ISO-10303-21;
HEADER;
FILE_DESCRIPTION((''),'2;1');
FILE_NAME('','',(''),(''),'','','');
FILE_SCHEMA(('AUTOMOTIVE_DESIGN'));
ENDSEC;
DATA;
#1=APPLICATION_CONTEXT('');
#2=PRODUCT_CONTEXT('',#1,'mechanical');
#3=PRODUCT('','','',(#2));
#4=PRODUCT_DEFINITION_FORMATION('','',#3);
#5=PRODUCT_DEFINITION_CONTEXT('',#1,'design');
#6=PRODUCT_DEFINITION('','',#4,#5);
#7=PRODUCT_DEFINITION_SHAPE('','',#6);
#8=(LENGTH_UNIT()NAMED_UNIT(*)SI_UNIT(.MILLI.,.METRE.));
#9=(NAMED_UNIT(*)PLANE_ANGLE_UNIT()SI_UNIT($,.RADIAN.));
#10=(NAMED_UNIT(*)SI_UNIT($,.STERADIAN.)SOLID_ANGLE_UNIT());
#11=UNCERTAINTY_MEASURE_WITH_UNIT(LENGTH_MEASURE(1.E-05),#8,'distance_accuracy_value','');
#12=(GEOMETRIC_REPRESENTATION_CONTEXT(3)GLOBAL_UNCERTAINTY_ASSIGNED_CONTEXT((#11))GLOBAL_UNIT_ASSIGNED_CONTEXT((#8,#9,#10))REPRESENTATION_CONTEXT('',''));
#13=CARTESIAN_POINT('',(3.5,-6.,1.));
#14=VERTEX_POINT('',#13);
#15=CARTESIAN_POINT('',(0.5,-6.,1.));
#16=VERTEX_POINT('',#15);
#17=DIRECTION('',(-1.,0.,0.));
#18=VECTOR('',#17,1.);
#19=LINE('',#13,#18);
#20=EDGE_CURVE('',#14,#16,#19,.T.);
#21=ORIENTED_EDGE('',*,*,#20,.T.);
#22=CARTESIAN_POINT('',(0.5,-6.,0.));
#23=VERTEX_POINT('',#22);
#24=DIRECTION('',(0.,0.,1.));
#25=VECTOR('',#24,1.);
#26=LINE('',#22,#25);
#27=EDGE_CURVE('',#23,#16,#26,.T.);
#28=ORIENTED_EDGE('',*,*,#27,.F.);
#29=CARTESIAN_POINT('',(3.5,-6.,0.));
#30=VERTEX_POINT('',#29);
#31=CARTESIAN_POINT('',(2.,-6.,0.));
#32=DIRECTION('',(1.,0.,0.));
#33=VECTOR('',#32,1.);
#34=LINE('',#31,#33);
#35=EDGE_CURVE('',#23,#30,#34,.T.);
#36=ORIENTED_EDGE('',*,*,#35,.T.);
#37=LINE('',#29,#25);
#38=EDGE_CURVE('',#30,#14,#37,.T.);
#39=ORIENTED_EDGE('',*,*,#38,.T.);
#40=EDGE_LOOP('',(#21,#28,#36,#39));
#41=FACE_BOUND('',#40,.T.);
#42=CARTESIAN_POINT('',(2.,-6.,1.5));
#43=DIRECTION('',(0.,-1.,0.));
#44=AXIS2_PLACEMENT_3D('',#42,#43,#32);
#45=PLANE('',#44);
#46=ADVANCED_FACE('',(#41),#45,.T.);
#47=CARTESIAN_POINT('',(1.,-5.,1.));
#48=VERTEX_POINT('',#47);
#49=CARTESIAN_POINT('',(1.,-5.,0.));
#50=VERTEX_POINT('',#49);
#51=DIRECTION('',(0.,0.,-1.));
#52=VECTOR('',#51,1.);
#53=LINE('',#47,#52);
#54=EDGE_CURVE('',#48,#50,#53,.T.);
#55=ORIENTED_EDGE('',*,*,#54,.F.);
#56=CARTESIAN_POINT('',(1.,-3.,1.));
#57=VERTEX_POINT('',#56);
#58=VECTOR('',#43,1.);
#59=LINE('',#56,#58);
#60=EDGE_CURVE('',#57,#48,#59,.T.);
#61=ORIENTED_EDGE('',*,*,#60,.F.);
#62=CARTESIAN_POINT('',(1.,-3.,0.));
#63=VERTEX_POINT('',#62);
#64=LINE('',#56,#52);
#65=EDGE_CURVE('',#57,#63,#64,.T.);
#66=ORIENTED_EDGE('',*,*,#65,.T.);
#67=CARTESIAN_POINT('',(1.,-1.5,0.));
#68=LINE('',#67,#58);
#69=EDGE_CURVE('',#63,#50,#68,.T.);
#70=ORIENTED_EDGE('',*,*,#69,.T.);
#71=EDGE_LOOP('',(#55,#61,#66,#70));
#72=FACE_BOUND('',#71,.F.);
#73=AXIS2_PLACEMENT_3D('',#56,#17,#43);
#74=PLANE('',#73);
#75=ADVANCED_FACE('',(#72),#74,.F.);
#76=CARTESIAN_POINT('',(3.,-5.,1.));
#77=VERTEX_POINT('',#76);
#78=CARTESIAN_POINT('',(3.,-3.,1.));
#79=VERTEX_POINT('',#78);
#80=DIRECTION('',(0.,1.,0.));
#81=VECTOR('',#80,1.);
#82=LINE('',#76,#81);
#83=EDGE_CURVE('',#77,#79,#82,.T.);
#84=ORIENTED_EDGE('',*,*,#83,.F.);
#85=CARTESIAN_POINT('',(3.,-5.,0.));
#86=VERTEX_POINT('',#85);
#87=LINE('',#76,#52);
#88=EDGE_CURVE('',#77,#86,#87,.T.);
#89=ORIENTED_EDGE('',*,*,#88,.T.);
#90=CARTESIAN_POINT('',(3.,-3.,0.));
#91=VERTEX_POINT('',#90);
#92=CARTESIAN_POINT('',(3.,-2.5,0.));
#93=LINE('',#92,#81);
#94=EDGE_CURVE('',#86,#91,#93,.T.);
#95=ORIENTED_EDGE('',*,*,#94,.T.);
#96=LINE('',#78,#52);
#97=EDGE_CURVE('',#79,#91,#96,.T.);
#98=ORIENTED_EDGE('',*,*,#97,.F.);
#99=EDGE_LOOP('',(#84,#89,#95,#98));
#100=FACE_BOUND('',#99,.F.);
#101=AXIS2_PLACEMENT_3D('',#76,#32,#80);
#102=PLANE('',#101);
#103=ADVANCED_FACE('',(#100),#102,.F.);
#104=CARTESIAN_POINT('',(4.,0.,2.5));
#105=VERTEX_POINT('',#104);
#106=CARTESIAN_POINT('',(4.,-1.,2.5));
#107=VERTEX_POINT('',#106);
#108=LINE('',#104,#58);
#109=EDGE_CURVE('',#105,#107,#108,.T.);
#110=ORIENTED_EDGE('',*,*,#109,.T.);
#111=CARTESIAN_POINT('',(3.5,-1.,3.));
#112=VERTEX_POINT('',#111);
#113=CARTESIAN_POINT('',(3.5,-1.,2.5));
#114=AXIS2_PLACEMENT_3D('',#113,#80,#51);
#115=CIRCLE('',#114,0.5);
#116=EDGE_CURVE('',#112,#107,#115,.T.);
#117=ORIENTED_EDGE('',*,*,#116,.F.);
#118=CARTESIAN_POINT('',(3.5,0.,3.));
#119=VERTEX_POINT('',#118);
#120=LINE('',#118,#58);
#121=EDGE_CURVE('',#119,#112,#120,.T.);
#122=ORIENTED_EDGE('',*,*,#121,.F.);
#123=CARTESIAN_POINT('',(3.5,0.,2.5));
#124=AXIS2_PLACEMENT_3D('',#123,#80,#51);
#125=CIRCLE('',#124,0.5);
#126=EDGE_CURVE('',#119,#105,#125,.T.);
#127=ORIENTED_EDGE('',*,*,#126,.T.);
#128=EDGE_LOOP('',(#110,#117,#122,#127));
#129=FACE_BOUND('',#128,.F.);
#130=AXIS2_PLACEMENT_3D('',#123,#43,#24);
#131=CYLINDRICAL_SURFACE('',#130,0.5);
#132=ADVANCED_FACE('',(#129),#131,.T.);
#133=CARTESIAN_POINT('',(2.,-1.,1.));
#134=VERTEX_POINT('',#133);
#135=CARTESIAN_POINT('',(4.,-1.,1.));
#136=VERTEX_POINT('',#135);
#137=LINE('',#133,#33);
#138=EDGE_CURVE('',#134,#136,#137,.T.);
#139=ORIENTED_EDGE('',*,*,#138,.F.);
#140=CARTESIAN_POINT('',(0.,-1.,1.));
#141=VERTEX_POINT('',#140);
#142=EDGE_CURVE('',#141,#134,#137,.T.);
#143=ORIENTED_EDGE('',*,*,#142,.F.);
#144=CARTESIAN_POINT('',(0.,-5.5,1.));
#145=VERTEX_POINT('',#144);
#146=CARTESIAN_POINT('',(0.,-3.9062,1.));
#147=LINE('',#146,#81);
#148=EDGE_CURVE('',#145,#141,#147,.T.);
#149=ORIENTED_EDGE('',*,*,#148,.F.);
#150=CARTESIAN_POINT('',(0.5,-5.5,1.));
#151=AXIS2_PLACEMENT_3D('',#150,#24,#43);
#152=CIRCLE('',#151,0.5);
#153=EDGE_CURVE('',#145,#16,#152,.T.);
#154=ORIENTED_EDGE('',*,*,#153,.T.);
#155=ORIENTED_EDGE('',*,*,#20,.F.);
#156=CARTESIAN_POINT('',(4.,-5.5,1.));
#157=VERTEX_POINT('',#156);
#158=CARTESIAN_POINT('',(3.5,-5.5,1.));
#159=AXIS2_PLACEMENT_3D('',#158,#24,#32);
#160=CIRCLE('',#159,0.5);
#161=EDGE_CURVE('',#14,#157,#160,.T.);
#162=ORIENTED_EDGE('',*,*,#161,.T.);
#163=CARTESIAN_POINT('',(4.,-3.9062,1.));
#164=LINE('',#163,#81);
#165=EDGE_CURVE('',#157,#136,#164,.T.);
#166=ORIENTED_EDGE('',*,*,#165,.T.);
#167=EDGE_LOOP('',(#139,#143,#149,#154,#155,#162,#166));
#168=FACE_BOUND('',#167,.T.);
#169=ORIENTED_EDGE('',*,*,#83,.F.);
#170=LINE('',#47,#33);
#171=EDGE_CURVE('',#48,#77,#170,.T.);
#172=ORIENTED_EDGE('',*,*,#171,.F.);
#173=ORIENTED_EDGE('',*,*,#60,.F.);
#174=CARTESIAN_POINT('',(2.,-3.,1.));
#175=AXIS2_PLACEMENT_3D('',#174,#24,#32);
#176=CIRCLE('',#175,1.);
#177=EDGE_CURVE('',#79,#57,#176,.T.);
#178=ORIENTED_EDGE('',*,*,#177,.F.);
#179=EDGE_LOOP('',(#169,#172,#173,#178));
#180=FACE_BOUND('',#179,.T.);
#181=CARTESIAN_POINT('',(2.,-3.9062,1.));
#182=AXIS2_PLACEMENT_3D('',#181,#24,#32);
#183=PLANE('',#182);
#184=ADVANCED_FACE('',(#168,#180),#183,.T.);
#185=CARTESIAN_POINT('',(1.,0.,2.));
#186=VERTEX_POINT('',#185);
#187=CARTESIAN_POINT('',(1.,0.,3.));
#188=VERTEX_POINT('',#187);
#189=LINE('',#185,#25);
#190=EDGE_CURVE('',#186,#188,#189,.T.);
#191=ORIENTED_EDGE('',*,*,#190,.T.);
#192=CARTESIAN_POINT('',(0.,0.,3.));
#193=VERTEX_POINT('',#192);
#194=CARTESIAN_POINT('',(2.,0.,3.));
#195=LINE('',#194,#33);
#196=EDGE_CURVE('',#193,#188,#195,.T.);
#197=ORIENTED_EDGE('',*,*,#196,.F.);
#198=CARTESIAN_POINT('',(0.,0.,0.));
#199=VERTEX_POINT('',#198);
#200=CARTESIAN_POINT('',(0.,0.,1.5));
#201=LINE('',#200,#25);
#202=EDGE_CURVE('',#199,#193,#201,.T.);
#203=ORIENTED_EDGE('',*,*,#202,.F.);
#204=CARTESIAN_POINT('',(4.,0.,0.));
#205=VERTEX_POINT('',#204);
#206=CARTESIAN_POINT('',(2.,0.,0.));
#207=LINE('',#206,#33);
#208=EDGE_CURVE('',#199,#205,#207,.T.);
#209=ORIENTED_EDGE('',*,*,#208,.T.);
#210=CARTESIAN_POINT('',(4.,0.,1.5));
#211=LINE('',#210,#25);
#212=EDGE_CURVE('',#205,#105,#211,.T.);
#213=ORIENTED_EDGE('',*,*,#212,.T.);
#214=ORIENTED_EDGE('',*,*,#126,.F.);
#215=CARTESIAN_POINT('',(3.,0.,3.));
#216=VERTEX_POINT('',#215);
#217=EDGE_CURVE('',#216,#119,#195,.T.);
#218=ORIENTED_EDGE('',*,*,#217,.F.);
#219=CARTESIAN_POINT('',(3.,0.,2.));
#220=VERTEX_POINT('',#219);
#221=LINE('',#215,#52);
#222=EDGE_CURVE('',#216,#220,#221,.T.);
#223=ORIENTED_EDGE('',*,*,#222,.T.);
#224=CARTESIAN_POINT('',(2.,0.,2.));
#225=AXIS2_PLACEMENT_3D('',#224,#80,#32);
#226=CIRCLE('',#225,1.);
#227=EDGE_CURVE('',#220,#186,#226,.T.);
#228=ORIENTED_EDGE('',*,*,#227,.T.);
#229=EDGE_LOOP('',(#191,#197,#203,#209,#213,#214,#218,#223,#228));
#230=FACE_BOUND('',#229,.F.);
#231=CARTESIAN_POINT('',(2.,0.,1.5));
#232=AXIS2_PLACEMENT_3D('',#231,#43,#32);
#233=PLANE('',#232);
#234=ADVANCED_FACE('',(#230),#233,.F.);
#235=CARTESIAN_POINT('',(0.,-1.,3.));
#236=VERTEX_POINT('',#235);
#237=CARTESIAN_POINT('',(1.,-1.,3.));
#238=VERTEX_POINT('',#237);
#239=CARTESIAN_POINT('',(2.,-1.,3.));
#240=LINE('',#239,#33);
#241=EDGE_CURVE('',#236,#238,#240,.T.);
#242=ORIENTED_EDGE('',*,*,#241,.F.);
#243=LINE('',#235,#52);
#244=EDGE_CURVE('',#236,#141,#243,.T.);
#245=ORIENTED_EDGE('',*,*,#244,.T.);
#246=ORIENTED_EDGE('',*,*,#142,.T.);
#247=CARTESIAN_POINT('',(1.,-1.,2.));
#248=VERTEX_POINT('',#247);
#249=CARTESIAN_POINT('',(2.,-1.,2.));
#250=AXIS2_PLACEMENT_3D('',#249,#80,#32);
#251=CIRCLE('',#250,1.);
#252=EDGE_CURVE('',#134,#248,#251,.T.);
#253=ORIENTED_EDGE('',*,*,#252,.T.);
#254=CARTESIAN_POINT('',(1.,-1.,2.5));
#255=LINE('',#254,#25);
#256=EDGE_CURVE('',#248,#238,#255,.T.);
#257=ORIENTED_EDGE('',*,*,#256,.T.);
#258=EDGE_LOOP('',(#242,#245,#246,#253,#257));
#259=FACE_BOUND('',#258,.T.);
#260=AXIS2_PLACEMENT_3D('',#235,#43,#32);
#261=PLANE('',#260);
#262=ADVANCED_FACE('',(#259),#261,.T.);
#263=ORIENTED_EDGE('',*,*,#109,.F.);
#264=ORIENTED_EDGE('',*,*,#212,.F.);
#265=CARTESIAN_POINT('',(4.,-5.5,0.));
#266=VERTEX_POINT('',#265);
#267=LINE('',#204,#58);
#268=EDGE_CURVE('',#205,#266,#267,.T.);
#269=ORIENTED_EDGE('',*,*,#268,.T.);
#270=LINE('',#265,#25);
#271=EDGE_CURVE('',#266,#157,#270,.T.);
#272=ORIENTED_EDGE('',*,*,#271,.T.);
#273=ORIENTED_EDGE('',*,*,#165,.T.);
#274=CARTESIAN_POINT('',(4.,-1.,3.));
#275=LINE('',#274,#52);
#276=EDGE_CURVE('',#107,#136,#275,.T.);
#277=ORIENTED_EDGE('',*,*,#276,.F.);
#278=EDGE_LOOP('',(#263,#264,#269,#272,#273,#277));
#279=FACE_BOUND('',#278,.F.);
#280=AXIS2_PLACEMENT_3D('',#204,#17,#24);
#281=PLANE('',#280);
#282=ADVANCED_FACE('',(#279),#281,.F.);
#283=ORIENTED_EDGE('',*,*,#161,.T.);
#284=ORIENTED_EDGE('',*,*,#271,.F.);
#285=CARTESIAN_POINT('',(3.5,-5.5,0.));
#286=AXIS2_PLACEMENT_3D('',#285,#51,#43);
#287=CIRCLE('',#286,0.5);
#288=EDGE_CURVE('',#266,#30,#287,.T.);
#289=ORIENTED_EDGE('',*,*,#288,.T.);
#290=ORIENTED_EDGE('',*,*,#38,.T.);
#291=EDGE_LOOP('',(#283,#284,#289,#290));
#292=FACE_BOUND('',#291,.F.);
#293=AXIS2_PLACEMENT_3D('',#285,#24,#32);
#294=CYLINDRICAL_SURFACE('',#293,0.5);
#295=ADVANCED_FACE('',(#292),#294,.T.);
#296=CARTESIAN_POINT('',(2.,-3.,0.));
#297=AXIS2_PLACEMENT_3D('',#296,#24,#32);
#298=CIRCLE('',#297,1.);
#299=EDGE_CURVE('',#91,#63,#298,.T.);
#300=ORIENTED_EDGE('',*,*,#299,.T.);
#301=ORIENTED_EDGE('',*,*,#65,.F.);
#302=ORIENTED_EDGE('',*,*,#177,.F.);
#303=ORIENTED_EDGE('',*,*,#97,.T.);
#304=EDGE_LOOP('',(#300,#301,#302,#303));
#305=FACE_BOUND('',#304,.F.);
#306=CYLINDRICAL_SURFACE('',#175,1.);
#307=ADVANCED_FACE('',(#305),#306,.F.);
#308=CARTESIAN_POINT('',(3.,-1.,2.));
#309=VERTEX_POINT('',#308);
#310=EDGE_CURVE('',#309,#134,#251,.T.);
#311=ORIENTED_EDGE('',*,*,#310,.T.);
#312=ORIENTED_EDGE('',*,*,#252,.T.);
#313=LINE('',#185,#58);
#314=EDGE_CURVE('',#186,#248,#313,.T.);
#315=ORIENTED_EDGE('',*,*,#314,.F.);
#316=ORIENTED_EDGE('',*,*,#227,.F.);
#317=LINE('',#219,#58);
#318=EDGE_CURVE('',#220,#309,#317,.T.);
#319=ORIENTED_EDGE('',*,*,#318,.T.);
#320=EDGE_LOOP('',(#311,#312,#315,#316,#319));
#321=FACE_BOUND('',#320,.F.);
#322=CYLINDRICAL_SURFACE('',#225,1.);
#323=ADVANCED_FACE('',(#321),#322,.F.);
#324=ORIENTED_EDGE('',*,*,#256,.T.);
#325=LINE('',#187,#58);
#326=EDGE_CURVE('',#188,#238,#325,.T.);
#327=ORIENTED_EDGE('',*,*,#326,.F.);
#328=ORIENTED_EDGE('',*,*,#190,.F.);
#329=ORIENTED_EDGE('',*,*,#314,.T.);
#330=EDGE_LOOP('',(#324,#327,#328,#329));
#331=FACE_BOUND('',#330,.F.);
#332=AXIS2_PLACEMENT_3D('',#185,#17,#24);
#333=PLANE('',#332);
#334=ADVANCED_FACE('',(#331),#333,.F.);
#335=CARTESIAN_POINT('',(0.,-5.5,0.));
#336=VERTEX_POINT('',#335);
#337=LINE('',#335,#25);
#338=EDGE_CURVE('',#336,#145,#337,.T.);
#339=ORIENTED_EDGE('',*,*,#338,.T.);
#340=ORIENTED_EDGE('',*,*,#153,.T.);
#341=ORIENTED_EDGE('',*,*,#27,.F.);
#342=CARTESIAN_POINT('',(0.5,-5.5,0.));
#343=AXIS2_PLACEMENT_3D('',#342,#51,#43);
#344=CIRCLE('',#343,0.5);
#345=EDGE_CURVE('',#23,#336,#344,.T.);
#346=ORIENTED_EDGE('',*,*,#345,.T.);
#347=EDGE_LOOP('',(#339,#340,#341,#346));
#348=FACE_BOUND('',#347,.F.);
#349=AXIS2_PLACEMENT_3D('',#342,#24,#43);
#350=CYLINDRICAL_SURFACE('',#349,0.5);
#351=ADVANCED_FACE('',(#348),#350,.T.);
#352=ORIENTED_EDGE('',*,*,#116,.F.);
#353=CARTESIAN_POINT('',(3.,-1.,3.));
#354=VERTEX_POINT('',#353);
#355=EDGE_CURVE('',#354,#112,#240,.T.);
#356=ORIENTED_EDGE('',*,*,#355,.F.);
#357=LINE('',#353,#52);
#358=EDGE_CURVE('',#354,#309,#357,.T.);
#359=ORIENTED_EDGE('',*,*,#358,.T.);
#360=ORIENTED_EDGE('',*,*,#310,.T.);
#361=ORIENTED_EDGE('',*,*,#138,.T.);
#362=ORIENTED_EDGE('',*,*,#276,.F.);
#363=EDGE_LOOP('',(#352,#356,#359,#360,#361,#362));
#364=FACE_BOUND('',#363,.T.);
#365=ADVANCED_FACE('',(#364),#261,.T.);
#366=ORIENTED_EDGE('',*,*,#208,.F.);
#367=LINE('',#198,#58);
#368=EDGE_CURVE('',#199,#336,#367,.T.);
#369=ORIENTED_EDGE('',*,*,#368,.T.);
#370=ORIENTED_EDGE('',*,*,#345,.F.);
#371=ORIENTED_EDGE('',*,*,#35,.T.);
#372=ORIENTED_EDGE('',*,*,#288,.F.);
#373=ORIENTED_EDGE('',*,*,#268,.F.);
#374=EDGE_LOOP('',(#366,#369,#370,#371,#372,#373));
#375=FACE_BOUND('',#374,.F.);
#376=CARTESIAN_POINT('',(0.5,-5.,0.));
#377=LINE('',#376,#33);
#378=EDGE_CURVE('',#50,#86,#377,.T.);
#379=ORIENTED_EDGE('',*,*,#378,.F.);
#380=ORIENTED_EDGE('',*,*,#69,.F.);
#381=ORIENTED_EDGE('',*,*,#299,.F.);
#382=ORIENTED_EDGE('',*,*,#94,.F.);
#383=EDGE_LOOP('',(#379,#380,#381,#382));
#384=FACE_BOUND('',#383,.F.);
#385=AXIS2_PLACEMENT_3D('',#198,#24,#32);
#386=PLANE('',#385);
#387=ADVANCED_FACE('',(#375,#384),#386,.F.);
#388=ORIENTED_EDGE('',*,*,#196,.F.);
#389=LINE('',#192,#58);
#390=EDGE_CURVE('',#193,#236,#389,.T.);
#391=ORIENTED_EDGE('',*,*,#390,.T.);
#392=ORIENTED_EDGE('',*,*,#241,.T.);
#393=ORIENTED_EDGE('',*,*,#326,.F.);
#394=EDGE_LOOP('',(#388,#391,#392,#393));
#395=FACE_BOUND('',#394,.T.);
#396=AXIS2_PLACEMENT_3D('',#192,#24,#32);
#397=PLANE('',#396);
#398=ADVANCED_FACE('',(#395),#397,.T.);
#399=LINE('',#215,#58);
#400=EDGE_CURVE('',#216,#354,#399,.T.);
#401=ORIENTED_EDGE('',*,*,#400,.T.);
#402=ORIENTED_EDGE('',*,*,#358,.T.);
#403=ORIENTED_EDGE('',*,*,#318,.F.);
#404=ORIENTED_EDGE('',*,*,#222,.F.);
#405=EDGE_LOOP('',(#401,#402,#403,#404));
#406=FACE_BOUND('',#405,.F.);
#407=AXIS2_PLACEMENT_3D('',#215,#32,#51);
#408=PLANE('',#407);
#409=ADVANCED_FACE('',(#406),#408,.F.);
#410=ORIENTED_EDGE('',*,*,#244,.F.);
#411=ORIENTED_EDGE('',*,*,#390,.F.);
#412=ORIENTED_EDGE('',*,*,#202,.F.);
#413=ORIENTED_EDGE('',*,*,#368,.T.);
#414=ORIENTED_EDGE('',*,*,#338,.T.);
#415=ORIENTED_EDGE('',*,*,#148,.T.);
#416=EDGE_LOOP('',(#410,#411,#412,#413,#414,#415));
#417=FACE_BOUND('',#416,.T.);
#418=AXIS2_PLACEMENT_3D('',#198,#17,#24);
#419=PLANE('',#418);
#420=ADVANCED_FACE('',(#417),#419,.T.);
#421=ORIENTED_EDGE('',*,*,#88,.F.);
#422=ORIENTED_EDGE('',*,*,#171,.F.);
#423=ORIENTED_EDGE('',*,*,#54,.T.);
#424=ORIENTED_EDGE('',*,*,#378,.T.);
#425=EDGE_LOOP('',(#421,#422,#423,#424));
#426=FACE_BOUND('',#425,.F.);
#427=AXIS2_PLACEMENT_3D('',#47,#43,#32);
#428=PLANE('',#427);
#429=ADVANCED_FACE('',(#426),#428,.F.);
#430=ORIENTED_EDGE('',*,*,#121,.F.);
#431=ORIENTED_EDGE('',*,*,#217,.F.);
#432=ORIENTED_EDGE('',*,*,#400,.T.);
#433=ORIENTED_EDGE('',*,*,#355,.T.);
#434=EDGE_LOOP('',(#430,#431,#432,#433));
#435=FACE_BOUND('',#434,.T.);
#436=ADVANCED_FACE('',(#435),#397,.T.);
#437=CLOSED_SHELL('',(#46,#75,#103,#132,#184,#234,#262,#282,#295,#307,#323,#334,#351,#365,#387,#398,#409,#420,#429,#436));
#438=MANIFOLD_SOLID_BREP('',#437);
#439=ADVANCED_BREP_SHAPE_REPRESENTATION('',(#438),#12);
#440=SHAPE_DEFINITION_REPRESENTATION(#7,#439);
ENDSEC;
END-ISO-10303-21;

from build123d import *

# Parameters (mm, degrees)
F0_W      = 4
F0_H      = 3
F1_DEPTH  = 6
F2_R      = 0.5
F3_R      = 0.5
F5_DEPTH  = 25
F6_W      = 4
F6_H      = 5.8124
F7_DEPTH  = 2
F8_R      = 0.5
F10_DEPTH = 25


with BuildPart() as f1:
    # F0 (on Front) → F1 (new body)
    with BuildSketch(Plane.XZ):
        with Locations((2, 1.5)):
            Rectangle(F0_W, F0_H)
    extrude(amount=F1_DEPTH)

    # F2
    f2_edges = [f1.edges().sort_by_distance(p)[0] for p in [
        (4, -6, 1.5),
    ]]
    fillet(f2_edges, radius=F2_R)

    # F3
    f3_edges = [f1.edges().sort_by_distance(p)[0] for p in [
        (0, -6, 1.5),
    ]]
    fillet(f3_edges, radius=F3_R)

    # F4 (on face) → F5 (cut)
    with BuildSketch(Plane(origin=(0, 0, 0), x_dir=(-1, 0, 0), z_dir=(0, 1, 0))):
        with BuildLine():
            ThreePointArc((-3, 2), (-2, 1), (-1, 2))
            Line((-1, 2), (-2, 2))
            Line((-2, 2), (-3, 2))
        make_face()
        with BuildLine():
            Line((-2, 2), (-1, 2))
            ThreePointArc((-1, 2), (-2, 3), (-3, 2))
            Line((-3, 2), (-2, 2))
        make_face()
        with BuildLine():
            ThreePointArc((-3, 2), (-2.707107, 2.707107), (-2, 3))
            Line((-2, 3), (-3, 3))
            Line((-3, 3), (-3, 2))
        make_face()
        with BuildLine():
            Line((-1, 2), (-1, 3))
            Line((-1, 3), (-2, 3))
            ThreePointArc((-2, 3), (-1.292893, 2.707107), (-1, 2))
        make_face()
    extrude(amount=-F5_DEPTH, mode=Mode.SUBTRACT)

    # F6 (on face) → F7 (cut)
    with BuildSketch(Plane.XY.offset(3)):
        with Locations((2, -3.9062)):
            Rectangle(F6_W, F6_H)
    extrude(amount=-F7_DEPTH, mode=Mode.SUBTRACT)

    # F8
    f8_edges = [f1.edges().sort_by_distance(p)[0] for p in [
        (4, -0.5, 3),
    ]]
    fillet(f8_edges, radius=F8_R)

    # F9 (on face) → F10 (cut)
    with BuildSketch(Plane.XY.offset(1)):
        with BuildLine():
            ThreePointArc((1, -3), (2, -4), (3, -3))
            ThreePointArc((3, -3), (2, -2), (1, -3))
        make_face()
        with BuildLine():
            Line((3, -5), (3, -3))
            ThreePointArc((3, -3), (2, -4), (1, -3))
            Line((1, -3), (1, -5))
            Line((1, -5), (3, -5))
        make_face()
    extrude(amount=-F10_DEPTH, mode=Mode.SUBTRACT)


solid = f1.part
